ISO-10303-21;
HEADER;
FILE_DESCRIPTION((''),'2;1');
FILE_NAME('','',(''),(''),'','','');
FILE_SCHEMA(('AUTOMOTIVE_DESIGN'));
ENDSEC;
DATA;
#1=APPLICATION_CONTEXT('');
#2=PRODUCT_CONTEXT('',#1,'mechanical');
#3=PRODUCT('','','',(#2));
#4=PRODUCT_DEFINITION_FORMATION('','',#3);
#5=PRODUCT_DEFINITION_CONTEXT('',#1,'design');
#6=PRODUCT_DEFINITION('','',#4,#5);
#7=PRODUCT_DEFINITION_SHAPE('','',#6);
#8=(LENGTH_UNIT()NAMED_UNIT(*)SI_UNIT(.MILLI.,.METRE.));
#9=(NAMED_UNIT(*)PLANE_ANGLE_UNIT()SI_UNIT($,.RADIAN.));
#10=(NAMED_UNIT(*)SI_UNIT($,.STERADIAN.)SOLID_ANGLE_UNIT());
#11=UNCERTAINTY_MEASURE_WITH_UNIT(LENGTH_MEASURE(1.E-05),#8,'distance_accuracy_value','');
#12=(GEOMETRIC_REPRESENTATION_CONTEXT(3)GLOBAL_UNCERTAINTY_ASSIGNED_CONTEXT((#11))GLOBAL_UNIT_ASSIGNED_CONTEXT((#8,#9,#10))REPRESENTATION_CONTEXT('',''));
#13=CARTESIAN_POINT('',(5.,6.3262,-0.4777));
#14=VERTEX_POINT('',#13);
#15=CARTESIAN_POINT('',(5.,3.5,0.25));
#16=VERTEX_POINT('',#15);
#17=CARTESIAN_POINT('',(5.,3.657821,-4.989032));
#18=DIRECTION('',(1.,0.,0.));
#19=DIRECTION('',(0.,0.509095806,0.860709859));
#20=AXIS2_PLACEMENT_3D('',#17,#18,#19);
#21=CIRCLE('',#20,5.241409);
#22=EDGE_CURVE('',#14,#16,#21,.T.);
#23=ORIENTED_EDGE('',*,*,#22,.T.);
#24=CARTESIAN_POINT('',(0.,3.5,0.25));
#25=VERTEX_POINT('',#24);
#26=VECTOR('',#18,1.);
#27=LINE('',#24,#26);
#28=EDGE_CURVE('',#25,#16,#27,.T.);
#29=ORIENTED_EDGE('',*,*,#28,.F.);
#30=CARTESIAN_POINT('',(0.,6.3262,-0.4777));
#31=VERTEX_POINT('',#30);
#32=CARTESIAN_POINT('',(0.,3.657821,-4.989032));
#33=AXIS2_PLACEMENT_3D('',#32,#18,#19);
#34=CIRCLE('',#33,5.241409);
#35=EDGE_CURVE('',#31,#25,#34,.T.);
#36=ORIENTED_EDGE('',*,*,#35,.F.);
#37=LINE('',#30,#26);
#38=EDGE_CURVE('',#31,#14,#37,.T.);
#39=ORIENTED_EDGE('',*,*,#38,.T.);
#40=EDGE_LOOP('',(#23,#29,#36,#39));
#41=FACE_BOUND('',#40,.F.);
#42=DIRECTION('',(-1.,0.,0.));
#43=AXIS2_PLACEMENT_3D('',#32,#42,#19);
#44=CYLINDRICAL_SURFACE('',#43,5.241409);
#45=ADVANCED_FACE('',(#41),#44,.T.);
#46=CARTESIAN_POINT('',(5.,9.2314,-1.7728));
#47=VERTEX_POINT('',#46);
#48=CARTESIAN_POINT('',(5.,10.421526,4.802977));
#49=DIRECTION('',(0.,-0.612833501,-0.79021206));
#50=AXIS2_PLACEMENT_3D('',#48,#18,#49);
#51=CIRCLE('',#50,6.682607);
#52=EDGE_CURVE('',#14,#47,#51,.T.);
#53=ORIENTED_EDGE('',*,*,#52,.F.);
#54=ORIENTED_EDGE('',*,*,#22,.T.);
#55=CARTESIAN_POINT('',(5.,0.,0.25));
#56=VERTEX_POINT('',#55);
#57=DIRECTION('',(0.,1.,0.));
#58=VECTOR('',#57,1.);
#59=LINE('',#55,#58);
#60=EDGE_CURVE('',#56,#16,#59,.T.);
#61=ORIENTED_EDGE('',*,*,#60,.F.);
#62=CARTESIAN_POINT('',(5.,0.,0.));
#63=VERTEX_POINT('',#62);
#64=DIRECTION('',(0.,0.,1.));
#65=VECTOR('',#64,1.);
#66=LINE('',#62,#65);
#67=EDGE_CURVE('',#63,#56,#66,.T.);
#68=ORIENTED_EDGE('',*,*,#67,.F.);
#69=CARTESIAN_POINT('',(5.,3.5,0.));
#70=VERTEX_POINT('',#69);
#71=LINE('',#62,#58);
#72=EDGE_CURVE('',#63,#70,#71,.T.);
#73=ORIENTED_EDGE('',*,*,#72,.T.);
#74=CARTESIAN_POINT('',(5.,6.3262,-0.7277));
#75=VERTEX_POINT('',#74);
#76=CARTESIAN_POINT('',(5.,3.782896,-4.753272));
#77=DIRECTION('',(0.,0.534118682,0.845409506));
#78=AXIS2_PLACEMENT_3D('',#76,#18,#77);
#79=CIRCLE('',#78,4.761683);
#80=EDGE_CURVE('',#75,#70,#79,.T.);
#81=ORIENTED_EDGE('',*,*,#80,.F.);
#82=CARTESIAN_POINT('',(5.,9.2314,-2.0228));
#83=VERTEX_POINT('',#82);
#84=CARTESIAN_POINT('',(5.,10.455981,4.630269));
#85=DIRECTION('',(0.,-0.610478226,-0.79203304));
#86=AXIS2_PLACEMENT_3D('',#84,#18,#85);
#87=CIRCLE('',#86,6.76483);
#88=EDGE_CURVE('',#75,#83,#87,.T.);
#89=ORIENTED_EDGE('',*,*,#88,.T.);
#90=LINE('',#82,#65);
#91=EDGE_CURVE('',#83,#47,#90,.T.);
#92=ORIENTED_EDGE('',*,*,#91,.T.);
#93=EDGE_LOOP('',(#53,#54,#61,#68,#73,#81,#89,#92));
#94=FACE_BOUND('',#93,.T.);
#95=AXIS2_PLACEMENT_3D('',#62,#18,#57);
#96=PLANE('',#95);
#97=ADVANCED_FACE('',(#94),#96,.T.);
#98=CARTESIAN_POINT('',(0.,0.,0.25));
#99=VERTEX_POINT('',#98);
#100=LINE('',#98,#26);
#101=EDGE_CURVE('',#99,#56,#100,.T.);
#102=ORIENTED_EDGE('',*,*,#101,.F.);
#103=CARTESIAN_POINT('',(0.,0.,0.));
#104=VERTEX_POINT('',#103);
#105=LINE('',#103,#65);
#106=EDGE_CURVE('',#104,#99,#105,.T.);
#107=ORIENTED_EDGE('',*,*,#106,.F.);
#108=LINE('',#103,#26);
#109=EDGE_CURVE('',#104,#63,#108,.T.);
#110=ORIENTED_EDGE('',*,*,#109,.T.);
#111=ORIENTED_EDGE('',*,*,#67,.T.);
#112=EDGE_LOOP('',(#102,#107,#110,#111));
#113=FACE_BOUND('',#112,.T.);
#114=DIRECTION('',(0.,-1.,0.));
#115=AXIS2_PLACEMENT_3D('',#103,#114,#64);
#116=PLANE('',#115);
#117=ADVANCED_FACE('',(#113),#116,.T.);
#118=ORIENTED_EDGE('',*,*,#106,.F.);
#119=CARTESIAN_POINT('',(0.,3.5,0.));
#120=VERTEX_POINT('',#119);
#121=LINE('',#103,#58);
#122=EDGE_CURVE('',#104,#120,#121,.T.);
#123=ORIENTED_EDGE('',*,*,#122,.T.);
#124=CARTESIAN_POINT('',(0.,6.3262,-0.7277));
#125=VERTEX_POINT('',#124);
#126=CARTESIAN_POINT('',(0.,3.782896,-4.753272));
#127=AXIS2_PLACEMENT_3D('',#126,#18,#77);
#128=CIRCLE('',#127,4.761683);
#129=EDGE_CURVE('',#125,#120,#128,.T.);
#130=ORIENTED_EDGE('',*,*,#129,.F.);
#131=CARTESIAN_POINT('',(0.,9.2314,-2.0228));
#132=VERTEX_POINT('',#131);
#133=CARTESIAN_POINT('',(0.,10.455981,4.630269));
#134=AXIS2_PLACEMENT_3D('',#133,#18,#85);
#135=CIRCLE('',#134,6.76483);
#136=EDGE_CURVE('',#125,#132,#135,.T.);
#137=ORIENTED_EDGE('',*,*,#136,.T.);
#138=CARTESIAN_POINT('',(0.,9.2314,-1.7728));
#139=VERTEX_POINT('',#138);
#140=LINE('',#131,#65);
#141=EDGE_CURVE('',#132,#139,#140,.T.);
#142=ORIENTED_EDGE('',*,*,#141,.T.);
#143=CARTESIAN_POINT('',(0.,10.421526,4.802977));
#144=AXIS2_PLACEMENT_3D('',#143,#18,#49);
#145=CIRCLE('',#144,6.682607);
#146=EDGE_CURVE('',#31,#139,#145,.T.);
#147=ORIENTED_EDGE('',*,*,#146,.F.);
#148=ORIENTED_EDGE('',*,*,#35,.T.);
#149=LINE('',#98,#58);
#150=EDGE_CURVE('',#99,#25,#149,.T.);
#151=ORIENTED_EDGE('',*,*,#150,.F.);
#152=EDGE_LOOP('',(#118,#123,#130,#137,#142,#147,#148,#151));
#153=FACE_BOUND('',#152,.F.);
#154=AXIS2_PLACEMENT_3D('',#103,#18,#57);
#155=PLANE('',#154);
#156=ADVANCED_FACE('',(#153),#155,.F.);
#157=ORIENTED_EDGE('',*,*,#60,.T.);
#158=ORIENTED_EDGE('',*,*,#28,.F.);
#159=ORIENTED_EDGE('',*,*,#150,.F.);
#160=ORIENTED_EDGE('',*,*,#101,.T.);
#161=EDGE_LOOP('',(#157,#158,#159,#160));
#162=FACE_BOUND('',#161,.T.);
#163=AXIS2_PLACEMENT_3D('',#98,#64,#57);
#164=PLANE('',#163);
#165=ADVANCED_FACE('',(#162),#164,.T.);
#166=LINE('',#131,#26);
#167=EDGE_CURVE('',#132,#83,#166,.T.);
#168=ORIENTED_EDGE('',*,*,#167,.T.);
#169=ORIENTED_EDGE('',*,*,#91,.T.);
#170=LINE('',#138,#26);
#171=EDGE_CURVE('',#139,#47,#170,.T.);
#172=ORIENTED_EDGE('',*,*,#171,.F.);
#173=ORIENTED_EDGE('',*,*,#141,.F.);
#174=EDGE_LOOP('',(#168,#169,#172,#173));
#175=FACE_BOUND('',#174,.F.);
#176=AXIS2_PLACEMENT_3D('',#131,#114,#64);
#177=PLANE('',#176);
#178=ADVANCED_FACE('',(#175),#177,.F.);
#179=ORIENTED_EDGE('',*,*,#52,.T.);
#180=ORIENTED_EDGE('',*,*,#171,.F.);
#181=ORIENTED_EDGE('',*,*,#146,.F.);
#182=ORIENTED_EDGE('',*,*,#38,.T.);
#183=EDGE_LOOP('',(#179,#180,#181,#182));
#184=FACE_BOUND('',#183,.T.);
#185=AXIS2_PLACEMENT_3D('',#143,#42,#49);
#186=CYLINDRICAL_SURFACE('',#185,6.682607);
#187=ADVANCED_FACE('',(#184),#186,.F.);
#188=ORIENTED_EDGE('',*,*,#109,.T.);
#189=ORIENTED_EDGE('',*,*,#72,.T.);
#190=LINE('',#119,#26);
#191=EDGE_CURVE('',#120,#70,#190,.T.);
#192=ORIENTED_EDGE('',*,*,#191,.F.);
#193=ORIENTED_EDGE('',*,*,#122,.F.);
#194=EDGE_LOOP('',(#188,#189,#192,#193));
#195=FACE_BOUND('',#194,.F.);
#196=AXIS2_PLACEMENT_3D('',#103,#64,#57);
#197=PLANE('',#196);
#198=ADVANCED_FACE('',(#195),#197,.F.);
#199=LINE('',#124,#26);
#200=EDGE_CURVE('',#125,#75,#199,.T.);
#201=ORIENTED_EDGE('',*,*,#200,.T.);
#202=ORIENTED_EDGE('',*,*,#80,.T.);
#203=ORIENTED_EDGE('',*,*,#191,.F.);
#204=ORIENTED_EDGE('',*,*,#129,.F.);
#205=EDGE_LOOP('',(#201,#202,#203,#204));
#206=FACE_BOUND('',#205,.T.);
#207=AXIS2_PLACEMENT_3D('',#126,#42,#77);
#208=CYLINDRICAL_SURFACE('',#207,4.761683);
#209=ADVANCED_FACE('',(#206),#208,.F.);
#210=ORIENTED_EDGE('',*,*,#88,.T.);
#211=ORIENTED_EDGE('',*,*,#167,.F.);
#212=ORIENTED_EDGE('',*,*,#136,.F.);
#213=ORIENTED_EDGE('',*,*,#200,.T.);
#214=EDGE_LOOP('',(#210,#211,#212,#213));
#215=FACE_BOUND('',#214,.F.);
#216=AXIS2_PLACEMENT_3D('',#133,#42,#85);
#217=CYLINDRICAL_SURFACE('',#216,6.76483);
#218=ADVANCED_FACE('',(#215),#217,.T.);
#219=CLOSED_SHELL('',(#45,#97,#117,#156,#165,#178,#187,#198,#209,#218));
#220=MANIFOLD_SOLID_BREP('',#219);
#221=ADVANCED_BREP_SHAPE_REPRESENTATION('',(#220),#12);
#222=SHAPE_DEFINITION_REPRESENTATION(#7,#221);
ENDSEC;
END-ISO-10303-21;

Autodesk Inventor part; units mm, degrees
ref_plane "YZ Plane" through (0, 0, 0) normal (1, 0, 0) x (0, 1, 0)
ref_plane "XZ Plane" through (0, 0, 0) normal (0, 1, 0) x (-1, 0, 0)
ref_plane "XY Plane" through (0, 0, 0) normal (0, 0, 1) x (1, 0, 0)
sketch "Sketch1" plane through (0, 0, 0) normal (1, 0, 0) x (0, 1, 0)
  line L0 (0, 0) -> (3.5, 0)
  arc A0 (6.3262, -0.7277) -> (3.5, 0) centre (3.7831, -4.7528) ccw
  arc A1 (6.3262, -0.7277) -> (9.2314, -2.0228) centre (10.456, 4.6303) ccw
  line L1 (0, 0) -> (0, 0.25)
  line L2 (0, 0.25) -> (3.5, 0.25)
  line L3 (6.3262, -0.7277) -> (6.3262, -0.4777)
  line L4 (9.2314, -2.0228) -> (9.2314, -1.7728)
  arc A2 (6.3262, -0.4777) -> (3.5, 0.25) centre (3.658, -4.9886) ccw
  arc A3 (6.3262, -0.4777) -> (9.2314, -1.7728) centre (10.4213, 4.8026) ccw
  dimension "d0" = 3.5
  dimension "d1" = 0.25
  dimension "d2" = 3.5
  dimension "d3" = 0.25
  dimension "d4" = 0.25
extrude "Extrusion1" add sketch "Sketch1" along normal blind 5
properties part number "ribbonCable"
